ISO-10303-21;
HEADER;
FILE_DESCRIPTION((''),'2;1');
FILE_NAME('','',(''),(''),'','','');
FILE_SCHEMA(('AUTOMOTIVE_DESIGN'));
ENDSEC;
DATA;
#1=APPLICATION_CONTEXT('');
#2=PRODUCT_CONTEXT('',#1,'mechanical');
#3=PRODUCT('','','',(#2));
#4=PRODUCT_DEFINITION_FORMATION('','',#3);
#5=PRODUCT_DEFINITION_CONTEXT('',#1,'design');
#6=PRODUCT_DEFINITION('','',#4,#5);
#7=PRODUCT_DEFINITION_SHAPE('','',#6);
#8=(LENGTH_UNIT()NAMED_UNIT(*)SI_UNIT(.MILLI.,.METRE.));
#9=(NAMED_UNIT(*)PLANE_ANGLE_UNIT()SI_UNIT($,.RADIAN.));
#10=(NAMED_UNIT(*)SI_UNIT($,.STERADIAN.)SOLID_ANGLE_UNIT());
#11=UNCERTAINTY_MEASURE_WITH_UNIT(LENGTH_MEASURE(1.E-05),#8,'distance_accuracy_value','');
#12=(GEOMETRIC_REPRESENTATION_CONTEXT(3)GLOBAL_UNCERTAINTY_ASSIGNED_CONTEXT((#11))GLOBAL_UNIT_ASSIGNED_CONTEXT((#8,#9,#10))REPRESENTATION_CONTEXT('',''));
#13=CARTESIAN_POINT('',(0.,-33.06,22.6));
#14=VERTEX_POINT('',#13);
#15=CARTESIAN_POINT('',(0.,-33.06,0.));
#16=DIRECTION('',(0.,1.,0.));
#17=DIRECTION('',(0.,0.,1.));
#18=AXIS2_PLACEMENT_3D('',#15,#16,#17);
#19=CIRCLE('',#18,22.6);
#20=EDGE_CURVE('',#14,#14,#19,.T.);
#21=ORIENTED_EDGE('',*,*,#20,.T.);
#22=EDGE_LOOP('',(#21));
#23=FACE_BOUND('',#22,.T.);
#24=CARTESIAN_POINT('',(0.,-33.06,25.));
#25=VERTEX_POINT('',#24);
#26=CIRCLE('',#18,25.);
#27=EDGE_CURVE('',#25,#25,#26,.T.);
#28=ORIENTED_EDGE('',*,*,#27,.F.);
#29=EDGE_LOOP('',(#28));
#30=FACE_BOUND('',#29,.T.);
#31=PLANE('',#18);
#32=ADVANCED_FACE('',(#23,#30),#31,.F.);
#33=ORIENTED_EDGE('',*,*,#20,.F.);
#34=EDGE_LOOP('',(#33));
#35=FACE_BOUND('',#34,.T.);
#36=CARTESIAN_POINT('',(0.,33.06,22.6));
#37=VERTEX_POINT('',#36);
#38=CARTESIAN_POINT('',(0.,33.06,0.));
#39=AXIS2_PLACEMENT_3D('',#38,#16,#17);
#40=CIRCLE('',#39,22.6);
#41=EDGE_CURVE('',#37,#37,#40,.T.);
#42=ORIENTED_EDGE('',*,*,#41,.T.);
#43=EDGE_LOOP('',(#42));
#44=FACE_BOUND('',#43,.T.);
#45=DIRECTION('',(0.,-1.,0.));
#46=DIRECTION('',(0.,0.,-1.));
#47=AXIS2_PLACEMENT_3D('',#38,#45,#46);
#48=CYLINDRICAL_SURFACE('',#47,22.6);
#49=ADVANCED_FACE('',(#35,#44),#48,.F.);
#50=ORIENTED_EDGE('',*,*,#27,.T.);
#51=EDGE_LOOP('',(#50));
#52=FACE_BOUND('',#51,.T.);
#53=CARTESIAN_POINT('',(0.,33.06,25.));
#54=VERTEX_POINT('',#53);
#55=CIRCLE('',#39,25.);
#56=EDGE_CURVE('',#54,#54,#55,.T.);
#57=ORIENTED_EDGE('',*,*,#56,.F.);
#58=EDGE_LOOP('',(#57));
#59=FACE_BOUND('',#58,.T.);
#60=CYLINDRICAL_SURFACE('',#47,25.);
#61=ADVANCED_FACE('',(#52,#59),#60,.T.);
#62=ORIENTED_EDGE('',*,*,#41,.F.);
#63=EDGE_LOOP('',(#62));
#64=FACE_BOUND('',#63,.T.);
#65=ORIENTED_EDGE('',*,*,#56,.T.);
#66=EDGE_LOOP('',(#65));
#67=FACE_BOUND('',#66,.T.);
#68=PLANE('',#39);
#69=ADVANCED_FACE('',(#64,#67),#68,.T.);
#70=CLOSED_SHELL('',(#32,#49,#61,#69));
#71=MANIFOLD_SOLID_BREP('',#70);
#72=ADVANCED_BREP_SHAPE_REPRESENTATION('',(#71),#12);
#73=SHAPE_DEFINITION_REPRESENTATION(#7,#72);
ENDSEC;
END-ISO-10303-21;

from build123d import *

# Parameters (mm, degrees)
ESQUISSE1_R        = 25
ESQUISSE1_R_2      = 22.6
BOSS_EXTRU_1_DEPTH = 33.06


with BuildPart() as part:
    # Esquisse1 → Boss.-Extru.1 (new body, symmetric)
    with BuildSketch(Plane(origin=(0, 0, 0), x_dir=(1, 0, 0), z_dir=(0, 1, 0))):
        Circle(ESQUISSE1_R)
        Circle(ESQUISSE1_R_2, mode=Mode.SUBTRACT)
    extrude(amount=BOSS_EXTRU_1_DEPTH, both=True)


solid = part.part
